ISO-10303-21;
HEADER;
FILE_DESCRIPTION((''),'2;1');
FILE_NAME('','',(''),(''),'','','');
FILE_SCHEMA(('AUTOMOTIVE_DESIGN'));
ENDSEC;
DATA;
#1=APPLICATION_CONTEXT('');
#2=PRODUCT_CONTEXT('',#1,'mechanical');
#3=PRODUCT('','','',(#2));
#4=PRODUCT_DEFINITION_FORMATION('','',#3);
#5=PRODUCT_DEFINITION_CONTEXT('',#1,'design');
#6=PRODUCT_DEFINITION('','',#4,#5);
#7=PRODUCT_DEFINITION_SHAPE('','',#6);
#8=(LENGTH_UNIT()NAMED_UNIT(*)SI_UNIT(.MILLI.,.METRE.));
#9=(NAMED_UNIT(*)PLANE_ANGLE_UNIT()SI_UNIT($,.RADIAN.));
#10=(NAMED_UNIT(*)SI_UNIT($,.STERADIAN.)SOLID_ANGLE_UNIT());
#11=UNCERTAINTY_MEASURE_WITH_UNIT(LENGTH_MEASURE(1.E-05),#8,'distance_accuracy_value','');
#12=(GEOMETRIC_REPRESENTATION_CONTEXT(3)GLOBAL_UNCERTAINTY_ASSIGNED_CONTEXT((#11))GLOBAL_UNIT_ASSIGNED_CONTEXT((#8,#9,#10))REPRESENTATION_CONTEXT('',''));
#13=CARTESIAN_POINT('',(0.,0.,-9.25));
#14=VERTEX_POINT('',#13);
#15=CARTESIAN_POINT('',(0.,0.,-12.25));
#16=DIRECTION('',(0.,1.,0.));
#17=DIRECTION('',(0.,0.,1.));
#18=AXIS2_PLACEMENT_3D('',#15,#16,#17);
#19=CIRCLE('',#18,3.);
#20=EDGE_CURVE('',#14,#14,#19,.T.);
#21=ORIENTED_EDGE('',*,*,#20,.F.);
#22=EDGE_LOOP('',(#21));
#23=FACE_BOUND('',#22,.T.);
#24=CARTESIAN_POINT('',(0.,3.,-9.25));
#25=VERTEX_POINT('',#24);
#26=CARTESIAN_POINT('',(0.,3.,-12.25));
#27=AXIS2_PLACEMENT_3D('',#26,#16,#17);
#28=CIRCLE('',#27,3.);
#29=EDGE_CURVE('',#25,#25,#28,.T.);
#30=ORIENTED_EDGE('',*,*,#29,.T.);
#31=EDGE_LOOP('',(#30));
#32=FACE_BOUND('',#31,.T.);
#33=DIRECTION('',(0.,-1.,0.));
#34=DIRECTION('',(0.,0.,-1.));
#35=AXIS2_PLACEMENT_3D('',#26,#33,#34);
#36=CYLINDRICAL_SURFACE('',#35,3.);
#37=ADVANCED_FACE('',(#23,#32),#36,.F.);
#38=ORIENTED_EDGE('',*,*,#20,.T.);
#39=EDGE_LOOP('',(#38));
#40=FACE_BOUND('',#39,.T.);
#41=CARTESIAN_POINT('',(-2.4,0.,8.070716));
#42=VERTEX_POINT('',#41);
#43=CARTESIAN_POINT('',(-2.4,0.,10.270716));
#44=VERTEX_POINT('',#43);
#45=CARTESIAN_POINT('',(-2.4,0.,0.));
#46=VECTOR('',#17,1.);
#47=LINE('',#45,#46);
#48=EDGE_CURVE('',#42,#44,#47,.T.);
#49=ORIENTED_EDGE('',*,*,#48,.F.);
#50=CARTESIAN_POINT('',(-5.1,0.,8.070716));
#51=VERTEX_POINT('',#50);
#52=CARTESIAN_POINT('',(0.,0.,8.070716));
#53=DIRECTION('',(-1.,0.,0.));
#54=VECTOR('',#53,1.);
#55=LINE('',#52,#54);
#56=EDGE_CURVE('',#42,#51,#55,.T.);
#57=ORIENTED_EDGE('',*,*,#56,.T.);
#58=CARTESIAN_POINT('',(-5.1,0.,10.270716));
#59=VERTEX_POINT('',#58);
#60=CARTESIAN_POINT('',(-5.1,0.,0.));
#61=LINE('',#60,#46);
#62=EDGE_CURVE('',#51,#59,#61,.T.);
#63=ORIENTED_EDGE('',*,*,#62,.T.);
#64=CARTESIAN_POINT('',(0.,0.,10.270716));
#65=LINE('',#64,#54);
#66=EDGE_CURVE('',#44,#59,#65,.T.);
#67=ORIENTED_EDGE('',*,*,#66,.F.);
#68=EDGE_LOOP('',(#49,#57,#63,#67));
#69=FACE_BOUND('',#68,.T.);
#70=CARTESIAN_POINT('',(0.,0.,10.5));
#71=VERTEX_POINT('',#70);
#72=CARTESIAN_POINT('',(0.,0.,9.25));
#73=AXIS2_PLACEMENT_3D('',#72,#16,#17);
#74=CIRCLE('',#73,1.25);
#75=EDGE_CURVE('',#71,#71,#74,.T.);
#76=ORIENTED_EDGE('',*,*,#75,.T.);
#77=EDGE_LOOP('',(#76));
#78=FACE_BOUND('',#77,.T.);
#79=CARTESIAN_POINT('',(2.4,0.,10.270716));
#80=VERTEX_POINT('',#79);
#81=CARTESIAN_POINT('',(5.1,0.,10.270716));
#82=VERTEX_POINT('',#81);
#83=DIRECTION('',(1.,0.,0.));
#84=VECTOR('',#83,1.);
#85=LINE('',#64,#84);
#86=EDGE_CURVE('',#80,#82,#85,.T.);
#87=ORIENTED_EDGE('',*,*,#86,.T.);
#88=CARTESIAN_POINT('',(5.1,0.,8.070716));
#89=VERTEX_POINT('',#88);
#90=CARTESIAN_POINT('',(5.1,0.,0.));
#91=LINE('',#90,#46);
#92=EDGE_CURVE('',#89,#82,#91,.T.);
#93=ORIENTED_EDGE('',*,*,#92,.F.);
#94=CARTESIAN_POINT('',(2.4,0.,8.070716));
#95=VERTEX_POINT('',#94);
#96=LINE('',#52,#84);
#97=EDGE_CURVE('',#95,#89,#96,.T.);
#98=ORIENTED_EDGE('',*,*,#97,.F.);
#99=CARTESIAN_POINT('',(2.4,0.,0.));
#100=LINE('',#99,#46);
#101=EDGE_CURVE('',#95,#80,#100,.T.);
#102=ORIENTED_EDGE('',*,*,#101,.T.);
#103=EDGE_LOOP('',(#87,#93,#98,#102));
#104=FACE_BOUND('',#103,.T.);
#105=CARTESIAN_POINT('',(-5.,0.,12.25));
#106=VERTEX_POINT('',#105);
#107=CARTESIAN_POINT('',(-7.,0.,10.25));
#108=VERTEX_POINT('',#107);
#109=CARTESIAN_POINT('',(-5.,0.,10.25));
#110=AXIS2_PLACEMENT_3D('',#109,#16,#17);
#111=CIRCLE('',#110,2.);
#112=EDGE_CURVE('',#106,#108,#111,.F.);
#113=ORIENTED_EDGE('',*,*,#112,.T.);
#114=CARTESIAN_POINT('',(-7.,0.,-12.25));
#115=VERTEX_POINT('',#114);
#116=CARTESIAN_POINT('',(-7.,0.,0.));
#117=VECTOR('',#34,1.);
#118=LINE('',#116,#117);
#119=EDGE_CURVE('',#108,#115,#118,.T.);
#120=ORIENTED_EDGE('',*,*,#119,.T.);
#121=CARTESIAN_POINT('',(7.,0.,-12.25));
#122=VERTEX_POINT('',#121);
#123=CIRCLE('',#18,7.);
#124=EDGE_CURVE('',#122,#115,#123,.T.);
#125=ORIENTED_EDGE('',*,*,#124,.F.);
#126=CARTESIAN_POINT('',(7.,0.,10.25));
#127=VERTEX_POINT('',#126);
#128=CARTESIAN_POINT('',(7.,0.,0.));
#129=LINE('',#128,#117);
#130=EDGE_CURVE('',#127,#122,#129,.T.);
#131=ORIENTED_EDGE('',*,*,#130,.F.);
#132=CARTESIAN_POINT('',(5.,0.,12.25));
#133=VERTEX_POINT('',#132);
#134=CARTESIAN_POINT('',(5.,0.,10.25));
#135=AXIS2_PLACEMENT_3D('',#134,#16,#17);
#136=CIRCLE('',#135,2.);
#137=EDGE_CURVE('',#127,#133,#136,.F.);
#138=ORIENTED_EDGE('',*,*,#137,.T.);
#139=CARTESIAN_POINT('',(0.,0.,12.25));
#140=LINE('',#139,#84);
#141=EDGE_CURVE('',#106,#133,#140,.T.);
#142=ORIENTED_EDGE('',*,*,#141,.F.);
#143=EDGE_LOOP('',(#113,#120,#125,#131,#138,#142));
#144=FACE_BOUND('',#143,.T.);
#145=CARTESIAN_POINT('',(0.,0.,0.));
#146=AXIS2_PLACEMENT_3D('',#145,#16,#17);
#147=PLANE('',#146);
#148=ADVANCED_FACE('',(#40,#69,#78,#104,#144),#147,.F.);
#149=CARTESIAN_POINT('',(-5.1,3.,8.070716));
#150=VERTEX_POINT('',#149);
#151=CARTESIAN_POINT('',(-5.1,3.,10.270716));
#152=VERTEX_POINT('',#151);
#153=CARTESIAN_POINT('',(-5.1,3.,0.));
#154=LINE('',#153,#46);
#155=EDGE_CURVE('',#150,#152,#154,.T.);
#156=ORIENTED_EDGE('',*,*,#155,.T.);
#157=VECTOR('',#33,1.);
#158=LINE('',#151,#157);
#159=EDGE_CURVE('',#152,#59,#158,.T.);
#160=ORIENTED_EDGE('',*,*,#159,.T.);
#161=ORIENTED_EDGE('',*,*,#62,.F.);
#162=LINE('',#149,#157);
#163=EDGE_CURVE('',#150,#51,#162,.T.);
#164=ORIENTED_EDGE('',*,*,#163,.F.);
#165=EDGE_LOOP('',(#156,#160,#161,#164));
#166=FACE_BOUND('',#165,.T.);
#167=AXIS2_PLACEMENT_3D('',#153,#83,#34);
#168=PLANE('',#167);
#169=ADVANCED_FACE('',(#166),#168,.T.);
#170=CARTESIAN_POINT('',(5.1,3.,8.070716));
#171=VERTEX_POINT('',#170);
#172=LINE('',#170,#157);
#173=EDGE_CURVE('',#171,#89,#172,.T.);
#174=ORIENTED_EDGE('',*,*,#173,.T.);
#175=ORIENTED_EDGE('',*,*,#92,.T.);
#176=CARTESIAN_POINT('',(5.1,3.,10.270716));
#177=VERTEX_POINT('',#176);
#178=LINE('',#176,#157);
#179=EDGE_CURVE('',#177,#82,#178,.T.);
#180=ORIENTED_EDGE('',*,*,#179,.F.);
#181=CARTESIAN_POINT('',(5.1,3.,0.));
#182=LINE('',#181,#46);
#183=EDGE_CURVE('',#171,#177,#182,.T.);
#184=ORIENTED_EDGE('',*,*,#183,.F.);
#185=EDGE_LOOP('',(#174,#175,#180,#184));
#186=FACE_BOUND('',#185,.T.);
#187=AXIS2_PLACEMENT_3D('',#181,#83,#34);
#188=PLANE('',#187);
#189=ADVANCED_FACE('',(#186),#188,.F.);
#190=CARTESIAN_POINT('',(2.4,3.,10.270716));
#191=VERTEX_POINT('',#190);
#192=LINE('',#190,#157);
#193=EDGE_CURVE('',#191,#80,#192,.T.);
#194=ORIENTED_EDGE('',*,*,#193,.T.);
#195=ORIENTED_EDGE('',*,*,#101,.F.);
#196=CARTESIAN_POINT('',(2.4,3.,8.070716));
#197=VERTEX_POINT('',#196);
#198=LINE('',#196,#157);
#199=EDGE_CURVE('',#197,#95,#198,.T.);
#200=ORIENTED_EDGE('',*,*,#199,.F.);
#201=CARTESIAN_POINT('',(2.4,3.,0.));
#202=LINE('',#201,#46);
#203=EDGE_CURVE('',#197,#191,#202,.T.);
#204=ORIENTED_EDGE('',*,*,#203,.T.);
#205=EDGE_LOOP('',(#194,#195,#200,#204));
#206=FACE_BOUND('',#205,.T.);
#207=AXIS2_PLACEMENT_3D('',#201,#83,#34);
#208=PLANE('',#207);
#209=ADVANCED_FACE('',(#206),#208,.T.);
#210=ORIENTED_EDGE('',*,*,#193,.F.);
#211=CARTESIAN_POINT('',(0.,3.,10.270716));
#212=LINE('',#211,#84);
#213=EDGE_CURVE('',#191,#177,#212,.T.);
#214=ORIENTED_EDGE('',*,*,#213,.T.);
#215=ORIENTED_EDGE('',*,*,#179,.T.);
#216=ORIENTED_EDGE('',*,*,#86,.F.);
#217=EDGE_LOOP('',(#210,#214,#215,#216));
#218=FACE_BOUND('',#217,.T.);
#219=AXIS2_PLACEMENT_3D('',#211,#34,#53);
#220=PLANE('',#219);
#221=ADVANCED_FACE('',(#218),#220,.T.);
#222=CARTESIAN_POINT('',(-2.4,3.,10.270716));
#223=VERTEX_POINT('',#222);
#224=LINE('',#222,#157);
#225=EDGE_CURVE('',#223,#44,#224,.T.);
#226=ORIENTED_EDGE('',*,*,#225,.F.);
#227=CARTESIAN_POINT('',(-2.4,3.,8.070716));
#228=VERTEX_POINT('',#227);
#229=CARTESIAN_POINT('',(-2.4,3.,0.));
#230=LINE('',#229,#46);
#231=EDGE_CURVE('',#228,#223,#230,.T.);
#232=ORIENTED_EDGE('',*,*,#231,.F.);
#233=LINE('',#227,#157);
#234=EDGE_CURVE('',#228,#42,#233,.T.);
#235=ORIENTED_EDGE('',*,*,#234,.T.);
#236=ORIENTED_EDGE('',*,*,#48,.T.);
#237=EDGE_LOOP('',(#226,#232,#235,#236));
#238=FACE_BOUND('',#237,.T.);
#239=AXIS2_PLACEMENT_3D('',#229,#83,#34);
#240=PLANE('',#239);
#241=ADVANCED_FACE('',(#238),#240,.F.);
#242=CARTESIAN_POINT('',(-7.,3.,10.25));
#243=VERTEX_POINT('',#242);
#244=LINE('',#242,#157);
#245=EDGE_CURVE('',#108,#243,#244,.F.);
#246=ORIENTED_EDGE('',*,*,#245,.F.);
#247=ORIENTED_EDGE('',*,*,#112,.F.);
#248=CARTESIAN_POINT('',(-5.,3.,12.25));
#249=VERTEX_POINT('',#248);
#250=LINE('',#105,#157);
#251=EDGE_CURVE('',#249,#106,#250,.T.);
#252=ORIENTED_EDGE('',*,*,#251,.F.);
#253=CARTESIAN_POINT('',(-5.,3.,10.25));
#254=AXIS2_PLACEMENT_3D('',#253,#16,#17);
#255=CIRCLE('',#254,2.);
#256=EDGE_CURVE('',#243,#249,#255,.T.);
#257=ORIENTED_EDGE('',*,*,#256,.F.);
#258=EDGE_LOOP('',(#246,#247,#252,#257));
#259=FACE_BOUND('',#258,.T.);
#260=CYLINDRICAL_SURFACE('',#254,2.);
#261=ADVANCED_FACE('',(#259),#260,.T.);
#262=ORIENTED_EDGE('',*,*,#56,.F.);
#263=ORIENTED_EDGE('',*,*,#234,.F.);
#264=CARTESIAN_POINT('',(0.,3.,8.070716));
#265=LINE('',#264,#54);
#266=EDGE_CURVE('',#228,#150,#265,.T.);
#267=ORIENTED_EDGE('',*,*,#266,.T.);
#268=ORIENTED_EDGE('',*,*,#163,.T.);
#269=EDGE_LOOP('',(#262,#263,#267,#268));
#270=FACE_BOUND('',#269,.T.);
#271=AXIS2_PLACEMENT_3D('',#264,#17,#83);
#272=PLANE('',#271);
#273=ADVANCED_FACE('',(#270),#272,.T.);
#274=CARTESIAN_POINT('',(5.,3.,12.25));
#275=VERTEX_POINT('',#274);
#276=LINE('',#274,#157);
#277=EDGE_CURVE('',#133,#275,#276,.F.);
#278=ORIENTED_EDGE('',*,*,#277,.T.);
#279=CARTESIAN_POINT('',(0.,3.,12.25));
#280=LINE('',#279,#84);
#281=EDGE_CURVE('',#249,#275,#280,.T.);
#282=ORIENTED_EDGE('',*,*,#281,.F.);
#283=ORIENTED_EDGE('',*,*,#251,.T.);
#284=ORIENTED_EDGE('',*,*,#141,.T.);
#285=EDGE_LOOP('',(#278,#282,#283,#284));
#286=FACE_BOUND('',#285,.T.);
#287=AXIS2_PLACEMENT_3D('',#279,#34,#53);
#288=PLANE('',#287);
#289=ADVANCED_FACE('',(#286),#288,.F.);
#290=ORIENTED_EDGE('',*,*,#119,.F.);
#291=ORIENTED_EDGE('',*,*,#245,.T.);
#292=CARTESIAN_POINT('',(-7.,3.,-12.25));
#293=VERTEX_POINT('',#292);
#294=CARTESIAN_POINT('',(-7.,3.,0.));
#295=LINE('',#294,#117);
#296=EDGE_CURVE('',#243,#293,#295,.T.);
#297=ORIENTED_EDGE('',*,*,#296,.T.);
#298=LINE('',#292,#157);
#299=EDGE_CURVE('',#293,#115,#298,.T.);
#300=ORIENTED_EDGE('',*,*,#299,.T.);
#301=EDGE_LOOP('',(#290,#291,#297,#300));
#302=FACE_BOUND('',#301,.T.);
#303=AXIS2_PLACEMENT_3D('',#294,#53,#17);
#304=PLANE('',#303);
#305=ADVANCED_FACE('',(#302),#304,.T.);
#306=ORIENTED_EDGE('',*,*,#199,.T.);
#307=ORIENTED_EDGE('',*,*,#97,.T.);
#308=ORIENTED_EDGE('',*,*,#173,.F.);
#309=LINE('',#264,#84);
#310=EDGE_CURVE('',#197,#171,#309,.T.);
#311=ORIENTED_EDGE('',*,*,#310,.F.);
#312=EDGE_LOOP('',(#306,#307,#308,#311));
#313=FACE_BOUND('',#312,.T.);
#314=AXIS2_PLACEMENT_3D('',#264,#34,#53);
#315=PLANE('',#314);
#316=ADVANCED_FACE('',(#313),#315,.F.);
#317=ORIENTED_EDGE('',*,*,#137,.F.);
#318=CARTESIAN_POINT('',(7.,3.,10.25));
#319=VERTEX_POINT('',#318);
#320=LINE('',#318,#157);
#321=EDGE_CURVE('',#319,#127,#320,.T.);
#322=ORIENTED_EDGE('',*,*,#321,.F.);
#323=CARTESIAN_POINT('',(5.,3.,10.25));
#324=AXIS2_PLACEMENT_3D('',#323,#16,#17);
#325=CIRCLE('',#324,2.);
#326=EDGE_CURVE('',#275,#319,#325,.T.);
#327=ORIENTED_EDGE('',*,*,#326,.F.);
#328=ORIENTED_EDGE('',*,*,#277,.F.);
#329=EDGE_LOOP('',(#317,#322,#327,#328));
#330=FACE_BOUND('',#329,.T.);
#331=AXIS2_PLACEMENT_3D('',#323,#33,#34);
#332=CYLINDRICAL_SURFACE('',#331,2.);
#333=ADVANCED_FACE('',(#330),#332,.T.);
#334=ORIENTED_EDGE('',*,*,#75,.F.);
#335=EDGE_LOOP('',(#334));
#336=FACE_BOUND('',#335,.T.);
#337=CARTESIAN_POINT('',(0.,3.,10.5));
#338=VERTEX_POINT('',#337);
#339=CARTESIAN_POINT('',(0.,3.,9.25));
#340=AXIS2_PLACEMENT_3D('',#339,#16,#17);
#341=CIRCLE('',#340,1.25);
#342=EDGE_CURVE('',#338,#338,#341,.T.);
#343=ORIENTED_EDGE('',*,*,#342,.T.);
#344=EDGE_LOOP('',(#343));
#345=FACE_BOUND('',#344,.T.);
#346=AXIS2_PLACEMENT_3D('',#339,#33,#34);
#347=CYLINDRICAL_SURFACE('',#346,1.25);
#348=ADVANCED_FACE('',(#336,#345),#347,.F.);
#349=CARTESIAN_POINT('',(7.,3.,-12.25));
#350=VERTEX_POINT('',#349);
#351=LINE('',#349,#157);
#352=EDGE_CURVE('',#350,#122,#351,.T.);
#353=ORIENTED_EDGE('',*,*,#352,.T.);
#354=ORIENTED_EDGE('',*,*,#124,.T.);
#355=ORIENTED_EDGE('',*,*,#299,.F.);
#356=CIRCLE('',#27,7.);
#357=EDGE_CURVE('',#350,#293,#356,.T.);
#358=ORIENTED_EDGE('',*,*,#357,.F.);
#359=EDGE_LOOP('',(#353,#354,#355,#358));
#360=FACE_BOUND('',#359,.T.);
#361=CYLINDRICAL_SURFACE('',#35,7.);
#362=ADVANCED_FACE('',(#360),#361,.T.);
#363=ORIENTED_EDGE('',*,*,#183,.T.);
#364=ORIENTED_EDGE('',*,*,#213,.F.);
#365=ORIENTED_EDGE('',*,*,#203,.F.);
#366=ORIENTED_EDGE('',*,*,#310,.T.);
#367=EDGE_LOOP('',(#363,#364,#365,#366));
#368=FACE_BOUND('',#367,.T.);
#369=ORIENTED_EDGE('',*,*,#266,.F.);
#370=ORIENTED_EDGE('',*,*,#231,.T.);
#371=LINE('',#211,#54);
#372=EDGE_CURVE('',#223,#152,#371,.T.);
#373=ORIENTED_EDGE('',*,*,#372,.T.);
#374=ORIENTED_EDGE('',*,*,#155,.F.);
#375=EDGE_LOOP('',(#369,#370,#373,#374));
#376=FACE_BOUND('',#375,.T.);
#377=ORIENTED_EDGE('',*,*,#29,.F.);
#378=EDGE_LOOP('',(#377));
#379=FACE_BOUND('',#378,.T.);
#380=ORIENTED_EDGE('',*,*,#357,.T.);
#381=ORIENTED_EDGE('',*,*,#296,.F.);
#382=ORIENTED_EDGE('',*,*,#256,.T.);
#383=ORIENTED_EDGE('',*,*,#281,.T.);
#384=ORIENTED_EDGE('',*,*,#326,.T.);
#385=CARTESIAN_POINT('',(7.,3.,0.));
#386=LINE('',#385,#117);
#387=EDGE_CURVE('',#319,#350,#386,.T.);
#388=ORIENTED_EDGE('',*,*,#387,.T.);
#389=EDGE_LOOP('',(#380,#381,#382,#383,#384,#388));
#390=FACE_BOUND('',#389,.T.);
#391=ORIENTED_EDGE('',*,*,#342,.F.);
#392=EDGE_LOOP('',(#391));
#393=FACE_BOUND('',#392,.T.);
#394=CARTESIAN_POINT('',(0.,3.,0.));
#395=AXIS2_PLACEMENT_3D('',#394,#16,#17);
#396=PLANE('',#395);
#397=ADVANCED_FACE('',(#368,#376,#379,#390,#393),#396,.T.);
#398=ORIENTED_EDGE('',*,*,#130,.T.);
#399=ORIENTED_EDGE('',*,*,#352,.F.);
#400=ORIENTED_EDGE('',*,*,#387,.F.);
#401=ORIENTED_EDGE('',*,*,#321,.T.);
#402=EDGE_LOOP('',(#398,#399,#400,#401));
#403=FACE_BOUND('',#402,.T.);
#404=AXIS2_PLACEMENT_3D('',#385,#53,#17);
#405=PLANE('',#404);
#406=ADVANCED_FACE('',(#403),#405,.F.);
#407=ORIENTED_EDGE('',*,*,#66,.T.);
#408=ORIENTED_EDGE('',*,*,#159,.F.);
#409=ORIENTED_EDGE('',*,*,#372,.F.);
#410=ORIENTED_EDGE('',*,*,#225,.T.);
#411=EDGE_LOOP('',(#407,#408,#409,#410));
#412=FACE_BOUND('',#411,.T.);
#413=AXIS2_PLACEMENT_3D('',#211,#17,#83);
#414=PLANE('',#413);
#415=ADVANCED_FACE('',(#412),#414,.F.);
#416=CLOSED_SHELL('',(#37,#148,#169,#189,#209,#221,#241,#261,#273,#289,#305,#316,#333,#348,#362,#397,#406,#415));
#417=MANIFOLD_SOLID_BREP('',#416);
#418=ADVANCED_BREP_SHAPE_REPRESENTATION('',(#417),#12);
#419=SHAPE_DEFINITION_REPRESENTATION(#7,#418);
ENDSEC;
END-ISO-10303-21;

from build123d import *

# Parameters (mm, degrees)
SKETCH_1_R      = 7
SKETCH_1_R_2    = 3
EXTRUDE_2_DEPTH = 3
SKETCH_1_4_W    = 2.7
SKETCH_1_4_H    = 2.2
SKETCH_1_4_R    = 1.25
EXTRUDE_3_DEPTH = 3
FILLET_2_R      = 2


with BuildPart() as part:
    # 草图1 → 凸台-拉伸2 (new body)
    with BuildSketch(Plane(origin=(0, 0, 0), x_dir=(1, 0, 0), z_dir=(0, 1, 0))):
        with Locations((0, 12.25)):
            Circle(SKETCH_1_R)
        with Locations((0, 12.25)):
            Circle(SKETCH_1_R_2, mode=Mode.SUBTRACT)
    extrude(amount=EXTRUDE_2_DEPTH)

    # 草图1<4> → 凸台-拉伸3 (add)
    with BuildSketch(Plane(origin=(0, 0, 0), x_dir=(1, 0, 0), z_dir=(0, 1, 0))):
        with BuildLine():
            ThreePointArc((7, 12.25), (4.949747468, 7.300252532), (0, 5.25))
            ThreePointArc((0, 5.25), (-4.949747468, 7.300252532), (-7, 12.25))
            Line((-7, 12.25), (-7, -12.25))
            Line((-7, -12.25), (7, -12.25))
            Line((7, -12.25), (7, 12.25))
        make_face()
        with Locations((-3.75, -9.170716156)):
            Rectangle(SKETCH_1_4_W, SKETCH_1_4_H, mode=Mode.SUBTRACT)
        with Locations((0, -9.25)):
            Circle(SKETCH_1_4_R, mode=Mode.SUBTRACT)
        with Locations((3.75, -9.170716156)):
            Rectangle(SKETCH_1_4_W, SKETCH_1_4_H, mode=Mode.SUBTRACT)
    extrude(amount=EXTRUDE_3_DEPTH)

    # 圆角2
    fillet_2_edges = [part.edges().sort_by_distance(p)[0] for p in [
        (7, 1.5, 12.25),
        (-7, 1.5, 12.25),
    ]]
    fillet(fillet_2_edges, radius=FILLET_2_R)


solid = part.part
